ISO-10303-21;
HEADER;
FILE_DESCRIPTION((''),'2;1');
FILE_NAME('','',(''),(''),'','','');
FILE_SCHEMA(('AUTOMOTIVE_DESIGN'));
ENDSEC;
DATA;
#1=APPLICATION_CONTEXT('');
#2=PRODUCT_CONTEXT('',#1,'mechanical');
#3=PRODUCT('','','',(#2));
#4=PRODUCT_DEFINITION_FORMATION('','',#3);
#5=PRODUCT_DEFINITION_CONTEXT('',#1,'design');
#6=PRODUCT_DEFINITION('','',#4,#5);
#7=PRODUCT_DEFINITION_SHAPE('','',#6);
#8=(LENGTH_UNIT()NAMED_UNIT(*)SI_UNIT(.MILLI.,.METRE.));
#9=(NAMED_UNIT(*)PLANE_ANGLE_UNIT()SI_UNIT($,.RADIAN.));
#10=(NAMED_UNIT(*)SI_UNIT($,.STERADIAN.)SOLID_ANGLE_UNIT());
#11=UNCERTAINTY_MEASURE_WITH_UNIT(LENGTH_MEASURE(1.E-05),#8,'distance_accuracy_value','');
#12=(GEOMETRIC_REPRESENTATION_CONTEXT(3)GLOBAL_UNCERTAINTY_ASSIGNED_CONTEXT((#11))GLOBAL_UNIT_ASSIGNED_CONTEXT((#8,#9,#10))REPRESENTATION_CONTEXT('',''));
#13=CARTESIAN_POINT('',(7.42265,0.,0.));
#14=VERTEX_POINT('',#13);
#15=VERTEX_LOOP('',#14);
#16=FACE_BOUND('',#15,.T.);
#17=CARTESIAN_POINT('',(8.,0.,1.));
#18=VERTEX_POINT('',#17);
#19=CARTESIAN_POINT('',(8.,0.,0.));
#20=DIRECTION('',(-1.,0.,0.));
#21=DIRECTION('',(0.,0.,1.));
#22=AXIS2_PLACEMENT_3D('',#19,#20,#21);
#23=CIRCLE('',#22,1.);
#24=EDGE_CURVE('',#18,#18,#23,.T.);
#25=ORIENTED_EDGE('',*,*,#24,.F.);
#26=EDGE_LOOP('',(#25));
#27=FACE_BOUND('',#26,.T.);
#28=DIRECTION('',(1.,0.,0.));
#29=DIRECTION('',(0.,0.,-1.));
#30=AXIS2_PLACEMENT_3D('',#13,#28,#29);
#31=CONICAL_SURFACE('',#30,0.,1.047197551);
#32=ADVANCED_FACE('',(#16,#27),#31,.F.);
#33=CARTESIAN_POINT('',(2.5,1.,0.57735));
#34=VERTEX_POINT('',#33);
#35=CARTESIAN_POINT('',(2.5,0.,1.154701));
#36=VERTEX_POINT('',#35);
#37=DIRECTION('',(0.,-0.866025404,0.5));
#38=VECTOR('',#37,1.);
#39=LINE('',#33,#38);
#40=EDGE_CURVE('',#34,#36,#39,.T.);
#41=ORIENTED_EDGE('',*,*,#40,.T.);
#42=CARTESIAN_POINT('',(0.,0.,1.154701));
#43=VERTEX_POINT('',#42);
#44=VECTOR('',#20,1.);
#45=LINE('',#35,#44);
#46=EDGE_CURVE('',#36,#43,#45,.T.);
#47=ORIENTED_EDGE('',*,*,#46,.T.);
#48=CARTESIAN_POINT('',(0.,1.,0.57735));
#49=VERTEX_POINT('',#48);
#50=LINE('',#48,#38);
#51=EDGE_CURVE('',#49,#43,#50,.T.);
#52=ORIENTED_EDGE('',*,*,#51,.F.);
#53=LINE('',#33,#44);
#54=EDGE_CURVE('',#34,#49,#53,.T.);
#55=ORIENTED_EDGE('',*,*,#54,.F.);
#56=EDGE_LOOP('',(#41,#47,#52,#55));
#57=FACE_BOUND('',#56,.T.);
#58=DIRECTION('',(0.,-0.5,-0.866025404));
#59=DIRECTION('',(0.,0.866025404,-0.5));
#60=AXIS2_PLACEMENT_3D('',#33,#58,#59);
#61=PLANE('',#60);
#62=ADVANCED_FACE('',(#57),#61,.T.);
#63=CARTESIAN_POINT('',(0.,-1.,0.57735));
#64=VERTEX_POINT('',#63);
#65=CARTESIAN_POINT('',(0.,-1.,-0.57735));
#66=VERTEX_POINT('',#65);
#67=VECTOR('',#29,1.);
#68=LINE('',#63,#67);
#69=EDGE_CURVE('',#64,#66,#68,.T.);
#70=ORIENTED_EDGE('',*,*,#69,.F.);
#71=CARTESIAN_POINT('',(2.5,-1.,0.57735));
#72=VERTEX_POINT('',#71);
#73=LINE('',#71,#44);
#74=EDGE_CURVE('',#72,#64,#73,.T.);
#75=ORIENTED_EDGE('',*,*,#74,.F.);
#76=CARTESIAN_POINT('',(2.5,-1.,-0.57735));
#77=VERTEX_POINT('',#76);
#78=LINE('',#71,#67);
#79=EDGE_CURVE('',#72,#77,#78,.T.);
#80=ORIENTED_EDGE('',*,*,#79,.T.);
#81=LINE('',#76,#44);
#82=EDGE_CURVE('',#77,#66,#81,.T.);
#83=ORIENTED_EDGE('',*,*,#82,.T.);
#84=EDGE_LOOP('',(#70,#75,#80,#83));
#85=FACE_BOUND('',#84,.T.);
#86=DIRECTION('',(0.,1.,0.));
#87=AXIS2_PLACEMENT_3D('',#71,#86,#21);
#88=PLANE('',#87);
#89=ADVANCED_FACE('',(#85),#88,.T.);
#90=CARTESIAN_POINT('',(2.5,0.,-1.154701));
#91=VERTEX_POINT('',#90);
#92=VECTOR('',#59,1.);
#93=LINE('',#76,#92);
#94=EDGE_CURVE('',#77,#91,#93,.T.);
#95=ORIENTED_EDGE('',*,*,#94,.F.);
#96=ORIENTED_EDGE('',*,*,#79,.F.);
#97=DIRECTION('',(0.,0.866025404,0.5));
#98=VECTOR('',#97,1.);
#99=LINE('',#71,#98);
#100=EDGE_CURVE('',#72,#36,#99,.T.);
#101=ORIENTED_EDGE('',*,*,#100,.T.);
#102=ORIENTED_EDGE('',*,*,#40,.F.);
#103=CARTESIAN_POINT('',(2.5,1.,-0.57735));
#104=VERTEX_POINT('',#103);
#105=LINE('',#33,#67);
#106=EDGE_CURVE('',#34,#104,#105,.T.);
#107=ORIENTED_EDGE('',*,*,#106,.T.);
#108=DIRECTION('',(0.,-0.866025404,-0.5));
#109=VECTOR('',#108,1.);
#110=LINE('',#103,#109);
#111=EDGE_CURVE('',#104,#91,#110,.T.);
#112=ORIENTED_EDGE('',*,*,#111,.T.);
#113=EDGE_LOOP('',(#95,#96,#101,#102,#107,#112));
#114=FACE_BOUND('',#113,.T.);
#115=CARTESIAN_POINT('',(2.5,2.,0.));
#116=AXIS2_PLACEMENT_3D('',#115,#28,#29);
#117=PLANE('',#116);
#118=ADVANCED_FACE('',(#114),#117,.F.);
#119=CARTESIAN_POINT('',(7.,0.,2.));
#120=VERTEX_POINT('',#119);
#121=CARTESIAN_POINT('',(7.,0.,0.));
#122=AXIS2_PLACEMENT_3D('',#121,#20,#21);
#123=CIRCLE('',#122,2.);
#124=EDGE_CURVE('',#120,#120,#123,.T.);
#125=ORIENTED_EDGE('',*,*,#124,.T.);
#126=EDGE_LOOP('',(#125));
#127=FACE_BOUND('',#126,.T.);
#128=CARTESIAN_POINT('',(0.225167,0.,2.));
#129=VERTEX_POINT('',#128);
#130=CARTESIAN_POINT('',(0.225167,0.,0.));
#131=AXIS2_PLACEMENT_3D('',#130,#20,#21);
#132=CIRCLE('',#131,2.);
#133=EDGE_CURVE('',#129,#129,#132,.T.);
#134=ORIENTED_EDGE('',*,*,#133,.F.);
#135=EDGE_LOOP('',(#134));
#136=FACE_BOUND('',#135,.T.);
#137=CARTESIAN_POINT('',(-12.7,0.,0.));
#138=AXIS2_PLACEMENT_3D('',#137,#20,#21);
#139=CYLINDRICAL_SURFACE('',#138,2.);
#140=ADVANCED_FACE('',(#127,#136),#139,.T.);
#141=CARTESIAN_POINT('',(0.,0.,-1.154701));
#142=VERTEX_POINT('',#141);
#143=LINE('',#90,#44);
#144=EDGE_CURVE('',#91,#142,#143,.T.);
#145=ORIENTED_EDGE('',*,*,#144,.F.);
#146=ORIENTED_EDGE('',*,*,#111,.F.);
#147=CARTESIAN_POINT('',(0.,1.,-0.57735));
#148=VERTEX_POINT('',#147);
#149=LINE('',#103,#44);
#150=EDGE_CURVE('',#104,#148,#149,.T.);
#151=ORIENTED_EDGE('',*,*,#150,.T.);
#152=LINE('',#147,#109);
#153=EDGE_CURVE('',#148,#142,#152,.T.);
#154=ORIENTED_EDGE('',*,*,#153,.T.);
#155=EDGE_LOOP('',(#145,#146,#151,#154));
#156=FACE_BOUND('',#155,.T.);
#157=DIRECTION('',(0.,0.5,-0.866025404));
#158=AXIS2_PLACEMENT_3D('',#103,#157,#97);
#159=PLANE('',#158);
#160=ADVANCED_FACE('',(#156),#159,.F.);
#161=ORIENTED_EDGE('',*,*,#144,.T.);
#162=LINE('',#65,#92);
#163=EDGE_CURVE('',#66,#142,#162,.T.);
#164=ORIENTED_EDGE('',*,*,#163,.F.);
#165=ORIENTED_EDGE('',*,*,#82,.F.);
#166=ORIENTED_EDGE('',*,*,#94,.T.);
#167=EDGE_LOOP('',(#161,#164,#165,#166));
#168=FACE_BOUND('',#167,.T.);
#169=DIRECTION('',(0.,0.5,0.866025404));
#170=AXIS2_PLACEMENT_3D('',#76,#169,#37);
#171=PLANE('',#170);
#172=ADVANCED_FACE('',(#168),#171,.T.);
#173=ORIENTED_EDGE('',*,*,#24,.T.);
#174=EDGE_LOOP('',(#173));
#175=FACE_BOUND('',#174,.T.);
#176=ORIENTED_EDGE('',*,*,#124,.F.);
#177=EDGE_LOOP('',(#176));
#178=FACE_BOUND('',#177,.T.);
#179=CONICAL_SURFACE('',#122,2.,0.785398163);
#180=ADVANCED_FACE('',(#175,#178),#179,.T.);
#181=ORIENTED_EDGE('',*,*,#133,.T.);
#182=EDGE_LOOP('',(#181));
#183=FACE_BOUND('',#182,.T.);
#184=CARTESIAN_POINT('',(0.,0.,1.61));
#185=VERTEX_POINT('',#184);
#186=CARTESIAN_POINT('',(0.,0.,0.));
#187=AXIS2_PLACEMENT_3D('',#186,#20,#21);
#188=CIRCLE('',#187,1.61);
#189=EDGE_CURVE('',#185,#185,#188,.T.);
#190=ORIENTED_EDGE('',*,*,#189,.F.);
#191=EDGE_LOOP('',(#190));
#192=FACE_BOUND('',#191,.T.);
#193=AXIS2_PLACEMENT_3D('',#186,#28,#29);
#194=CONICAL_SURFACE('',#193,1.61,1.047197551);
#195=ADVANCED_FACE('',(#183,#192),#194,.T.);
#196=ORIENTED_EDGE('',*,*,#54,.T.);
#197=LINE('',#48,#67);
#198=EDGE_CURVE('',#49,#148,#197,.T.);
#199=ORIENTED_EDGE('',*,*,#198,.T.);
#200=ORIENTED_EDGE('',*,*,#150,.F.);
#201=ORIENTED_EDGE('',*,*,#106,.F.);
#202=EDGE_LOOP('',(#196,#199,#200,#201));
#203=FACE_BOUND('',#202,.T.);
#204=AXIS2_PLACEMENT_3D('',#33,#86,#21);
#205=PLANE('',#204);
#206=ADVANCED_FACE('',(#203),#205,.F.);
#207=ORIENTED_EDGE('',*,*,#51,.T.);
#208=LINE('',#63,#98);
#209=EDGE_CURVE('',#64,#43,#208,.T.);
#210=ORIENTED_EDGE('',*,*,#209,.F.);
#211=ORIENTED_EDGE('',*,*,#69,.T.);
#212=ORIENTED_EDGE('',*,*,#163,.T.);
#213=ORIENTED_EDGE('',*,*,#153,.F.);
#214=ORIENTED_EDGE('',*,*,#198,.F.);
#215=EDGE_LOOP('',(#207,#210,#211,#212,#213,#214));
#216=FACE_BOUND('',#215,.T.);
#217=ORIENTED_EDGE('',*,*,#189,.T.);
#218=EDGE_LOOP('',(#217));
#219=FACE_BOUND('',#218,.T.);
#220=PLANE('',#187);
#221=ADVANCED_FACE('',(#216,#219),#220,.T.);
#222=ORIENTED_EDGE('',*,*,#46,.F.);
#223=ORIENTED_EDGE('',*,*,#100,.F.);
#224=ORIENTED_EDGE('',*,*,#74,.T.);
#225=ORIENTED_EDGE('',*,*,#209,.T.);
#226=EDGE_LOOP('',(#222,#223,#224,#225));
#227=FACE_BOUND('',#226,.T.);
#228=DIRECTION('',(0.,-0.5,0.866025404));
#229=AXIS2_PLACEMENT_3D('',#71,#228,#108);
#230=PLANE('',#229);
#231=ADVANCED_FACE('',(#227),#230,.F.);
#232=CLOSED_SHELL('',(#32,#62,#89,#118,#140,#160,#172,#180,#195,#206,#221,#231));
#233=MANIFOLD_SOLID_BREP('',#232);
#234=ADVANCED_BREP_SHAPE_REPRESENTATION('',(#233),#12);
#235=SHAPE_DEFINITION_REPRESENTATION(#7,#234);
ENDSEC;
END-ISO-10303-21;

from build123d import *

# Parameters (mm, degrees)
HEX_2_DEPTH = 2.5


with BuildPart() as part:
    # BodySke → BaseBody (revolve)
    with BuildSketch(Plane.XY):
        Polygon((0, 0), (0, 1.61), (0.225166605, 2), (7, 2), (8, 1), (7.422649731, 0), align=None)
    revolve(axis=Axis((-12.7, 0, 0), (1, 0, 0)))

    # Sketch2 → Hex 2 (cut)
    with BuildSketch(Plane.ZY):
        Polygon((0.577350269, 1), (-0.577350269, 1), (-1.154700538, 0), (-0.577350269, -1), (0.577350269, -1), (1.154700538, 0), align=None)
    extrude(amount=-HEX_2_DEPTH, mode=Mode.SUBTRACT)


solid = part.part
